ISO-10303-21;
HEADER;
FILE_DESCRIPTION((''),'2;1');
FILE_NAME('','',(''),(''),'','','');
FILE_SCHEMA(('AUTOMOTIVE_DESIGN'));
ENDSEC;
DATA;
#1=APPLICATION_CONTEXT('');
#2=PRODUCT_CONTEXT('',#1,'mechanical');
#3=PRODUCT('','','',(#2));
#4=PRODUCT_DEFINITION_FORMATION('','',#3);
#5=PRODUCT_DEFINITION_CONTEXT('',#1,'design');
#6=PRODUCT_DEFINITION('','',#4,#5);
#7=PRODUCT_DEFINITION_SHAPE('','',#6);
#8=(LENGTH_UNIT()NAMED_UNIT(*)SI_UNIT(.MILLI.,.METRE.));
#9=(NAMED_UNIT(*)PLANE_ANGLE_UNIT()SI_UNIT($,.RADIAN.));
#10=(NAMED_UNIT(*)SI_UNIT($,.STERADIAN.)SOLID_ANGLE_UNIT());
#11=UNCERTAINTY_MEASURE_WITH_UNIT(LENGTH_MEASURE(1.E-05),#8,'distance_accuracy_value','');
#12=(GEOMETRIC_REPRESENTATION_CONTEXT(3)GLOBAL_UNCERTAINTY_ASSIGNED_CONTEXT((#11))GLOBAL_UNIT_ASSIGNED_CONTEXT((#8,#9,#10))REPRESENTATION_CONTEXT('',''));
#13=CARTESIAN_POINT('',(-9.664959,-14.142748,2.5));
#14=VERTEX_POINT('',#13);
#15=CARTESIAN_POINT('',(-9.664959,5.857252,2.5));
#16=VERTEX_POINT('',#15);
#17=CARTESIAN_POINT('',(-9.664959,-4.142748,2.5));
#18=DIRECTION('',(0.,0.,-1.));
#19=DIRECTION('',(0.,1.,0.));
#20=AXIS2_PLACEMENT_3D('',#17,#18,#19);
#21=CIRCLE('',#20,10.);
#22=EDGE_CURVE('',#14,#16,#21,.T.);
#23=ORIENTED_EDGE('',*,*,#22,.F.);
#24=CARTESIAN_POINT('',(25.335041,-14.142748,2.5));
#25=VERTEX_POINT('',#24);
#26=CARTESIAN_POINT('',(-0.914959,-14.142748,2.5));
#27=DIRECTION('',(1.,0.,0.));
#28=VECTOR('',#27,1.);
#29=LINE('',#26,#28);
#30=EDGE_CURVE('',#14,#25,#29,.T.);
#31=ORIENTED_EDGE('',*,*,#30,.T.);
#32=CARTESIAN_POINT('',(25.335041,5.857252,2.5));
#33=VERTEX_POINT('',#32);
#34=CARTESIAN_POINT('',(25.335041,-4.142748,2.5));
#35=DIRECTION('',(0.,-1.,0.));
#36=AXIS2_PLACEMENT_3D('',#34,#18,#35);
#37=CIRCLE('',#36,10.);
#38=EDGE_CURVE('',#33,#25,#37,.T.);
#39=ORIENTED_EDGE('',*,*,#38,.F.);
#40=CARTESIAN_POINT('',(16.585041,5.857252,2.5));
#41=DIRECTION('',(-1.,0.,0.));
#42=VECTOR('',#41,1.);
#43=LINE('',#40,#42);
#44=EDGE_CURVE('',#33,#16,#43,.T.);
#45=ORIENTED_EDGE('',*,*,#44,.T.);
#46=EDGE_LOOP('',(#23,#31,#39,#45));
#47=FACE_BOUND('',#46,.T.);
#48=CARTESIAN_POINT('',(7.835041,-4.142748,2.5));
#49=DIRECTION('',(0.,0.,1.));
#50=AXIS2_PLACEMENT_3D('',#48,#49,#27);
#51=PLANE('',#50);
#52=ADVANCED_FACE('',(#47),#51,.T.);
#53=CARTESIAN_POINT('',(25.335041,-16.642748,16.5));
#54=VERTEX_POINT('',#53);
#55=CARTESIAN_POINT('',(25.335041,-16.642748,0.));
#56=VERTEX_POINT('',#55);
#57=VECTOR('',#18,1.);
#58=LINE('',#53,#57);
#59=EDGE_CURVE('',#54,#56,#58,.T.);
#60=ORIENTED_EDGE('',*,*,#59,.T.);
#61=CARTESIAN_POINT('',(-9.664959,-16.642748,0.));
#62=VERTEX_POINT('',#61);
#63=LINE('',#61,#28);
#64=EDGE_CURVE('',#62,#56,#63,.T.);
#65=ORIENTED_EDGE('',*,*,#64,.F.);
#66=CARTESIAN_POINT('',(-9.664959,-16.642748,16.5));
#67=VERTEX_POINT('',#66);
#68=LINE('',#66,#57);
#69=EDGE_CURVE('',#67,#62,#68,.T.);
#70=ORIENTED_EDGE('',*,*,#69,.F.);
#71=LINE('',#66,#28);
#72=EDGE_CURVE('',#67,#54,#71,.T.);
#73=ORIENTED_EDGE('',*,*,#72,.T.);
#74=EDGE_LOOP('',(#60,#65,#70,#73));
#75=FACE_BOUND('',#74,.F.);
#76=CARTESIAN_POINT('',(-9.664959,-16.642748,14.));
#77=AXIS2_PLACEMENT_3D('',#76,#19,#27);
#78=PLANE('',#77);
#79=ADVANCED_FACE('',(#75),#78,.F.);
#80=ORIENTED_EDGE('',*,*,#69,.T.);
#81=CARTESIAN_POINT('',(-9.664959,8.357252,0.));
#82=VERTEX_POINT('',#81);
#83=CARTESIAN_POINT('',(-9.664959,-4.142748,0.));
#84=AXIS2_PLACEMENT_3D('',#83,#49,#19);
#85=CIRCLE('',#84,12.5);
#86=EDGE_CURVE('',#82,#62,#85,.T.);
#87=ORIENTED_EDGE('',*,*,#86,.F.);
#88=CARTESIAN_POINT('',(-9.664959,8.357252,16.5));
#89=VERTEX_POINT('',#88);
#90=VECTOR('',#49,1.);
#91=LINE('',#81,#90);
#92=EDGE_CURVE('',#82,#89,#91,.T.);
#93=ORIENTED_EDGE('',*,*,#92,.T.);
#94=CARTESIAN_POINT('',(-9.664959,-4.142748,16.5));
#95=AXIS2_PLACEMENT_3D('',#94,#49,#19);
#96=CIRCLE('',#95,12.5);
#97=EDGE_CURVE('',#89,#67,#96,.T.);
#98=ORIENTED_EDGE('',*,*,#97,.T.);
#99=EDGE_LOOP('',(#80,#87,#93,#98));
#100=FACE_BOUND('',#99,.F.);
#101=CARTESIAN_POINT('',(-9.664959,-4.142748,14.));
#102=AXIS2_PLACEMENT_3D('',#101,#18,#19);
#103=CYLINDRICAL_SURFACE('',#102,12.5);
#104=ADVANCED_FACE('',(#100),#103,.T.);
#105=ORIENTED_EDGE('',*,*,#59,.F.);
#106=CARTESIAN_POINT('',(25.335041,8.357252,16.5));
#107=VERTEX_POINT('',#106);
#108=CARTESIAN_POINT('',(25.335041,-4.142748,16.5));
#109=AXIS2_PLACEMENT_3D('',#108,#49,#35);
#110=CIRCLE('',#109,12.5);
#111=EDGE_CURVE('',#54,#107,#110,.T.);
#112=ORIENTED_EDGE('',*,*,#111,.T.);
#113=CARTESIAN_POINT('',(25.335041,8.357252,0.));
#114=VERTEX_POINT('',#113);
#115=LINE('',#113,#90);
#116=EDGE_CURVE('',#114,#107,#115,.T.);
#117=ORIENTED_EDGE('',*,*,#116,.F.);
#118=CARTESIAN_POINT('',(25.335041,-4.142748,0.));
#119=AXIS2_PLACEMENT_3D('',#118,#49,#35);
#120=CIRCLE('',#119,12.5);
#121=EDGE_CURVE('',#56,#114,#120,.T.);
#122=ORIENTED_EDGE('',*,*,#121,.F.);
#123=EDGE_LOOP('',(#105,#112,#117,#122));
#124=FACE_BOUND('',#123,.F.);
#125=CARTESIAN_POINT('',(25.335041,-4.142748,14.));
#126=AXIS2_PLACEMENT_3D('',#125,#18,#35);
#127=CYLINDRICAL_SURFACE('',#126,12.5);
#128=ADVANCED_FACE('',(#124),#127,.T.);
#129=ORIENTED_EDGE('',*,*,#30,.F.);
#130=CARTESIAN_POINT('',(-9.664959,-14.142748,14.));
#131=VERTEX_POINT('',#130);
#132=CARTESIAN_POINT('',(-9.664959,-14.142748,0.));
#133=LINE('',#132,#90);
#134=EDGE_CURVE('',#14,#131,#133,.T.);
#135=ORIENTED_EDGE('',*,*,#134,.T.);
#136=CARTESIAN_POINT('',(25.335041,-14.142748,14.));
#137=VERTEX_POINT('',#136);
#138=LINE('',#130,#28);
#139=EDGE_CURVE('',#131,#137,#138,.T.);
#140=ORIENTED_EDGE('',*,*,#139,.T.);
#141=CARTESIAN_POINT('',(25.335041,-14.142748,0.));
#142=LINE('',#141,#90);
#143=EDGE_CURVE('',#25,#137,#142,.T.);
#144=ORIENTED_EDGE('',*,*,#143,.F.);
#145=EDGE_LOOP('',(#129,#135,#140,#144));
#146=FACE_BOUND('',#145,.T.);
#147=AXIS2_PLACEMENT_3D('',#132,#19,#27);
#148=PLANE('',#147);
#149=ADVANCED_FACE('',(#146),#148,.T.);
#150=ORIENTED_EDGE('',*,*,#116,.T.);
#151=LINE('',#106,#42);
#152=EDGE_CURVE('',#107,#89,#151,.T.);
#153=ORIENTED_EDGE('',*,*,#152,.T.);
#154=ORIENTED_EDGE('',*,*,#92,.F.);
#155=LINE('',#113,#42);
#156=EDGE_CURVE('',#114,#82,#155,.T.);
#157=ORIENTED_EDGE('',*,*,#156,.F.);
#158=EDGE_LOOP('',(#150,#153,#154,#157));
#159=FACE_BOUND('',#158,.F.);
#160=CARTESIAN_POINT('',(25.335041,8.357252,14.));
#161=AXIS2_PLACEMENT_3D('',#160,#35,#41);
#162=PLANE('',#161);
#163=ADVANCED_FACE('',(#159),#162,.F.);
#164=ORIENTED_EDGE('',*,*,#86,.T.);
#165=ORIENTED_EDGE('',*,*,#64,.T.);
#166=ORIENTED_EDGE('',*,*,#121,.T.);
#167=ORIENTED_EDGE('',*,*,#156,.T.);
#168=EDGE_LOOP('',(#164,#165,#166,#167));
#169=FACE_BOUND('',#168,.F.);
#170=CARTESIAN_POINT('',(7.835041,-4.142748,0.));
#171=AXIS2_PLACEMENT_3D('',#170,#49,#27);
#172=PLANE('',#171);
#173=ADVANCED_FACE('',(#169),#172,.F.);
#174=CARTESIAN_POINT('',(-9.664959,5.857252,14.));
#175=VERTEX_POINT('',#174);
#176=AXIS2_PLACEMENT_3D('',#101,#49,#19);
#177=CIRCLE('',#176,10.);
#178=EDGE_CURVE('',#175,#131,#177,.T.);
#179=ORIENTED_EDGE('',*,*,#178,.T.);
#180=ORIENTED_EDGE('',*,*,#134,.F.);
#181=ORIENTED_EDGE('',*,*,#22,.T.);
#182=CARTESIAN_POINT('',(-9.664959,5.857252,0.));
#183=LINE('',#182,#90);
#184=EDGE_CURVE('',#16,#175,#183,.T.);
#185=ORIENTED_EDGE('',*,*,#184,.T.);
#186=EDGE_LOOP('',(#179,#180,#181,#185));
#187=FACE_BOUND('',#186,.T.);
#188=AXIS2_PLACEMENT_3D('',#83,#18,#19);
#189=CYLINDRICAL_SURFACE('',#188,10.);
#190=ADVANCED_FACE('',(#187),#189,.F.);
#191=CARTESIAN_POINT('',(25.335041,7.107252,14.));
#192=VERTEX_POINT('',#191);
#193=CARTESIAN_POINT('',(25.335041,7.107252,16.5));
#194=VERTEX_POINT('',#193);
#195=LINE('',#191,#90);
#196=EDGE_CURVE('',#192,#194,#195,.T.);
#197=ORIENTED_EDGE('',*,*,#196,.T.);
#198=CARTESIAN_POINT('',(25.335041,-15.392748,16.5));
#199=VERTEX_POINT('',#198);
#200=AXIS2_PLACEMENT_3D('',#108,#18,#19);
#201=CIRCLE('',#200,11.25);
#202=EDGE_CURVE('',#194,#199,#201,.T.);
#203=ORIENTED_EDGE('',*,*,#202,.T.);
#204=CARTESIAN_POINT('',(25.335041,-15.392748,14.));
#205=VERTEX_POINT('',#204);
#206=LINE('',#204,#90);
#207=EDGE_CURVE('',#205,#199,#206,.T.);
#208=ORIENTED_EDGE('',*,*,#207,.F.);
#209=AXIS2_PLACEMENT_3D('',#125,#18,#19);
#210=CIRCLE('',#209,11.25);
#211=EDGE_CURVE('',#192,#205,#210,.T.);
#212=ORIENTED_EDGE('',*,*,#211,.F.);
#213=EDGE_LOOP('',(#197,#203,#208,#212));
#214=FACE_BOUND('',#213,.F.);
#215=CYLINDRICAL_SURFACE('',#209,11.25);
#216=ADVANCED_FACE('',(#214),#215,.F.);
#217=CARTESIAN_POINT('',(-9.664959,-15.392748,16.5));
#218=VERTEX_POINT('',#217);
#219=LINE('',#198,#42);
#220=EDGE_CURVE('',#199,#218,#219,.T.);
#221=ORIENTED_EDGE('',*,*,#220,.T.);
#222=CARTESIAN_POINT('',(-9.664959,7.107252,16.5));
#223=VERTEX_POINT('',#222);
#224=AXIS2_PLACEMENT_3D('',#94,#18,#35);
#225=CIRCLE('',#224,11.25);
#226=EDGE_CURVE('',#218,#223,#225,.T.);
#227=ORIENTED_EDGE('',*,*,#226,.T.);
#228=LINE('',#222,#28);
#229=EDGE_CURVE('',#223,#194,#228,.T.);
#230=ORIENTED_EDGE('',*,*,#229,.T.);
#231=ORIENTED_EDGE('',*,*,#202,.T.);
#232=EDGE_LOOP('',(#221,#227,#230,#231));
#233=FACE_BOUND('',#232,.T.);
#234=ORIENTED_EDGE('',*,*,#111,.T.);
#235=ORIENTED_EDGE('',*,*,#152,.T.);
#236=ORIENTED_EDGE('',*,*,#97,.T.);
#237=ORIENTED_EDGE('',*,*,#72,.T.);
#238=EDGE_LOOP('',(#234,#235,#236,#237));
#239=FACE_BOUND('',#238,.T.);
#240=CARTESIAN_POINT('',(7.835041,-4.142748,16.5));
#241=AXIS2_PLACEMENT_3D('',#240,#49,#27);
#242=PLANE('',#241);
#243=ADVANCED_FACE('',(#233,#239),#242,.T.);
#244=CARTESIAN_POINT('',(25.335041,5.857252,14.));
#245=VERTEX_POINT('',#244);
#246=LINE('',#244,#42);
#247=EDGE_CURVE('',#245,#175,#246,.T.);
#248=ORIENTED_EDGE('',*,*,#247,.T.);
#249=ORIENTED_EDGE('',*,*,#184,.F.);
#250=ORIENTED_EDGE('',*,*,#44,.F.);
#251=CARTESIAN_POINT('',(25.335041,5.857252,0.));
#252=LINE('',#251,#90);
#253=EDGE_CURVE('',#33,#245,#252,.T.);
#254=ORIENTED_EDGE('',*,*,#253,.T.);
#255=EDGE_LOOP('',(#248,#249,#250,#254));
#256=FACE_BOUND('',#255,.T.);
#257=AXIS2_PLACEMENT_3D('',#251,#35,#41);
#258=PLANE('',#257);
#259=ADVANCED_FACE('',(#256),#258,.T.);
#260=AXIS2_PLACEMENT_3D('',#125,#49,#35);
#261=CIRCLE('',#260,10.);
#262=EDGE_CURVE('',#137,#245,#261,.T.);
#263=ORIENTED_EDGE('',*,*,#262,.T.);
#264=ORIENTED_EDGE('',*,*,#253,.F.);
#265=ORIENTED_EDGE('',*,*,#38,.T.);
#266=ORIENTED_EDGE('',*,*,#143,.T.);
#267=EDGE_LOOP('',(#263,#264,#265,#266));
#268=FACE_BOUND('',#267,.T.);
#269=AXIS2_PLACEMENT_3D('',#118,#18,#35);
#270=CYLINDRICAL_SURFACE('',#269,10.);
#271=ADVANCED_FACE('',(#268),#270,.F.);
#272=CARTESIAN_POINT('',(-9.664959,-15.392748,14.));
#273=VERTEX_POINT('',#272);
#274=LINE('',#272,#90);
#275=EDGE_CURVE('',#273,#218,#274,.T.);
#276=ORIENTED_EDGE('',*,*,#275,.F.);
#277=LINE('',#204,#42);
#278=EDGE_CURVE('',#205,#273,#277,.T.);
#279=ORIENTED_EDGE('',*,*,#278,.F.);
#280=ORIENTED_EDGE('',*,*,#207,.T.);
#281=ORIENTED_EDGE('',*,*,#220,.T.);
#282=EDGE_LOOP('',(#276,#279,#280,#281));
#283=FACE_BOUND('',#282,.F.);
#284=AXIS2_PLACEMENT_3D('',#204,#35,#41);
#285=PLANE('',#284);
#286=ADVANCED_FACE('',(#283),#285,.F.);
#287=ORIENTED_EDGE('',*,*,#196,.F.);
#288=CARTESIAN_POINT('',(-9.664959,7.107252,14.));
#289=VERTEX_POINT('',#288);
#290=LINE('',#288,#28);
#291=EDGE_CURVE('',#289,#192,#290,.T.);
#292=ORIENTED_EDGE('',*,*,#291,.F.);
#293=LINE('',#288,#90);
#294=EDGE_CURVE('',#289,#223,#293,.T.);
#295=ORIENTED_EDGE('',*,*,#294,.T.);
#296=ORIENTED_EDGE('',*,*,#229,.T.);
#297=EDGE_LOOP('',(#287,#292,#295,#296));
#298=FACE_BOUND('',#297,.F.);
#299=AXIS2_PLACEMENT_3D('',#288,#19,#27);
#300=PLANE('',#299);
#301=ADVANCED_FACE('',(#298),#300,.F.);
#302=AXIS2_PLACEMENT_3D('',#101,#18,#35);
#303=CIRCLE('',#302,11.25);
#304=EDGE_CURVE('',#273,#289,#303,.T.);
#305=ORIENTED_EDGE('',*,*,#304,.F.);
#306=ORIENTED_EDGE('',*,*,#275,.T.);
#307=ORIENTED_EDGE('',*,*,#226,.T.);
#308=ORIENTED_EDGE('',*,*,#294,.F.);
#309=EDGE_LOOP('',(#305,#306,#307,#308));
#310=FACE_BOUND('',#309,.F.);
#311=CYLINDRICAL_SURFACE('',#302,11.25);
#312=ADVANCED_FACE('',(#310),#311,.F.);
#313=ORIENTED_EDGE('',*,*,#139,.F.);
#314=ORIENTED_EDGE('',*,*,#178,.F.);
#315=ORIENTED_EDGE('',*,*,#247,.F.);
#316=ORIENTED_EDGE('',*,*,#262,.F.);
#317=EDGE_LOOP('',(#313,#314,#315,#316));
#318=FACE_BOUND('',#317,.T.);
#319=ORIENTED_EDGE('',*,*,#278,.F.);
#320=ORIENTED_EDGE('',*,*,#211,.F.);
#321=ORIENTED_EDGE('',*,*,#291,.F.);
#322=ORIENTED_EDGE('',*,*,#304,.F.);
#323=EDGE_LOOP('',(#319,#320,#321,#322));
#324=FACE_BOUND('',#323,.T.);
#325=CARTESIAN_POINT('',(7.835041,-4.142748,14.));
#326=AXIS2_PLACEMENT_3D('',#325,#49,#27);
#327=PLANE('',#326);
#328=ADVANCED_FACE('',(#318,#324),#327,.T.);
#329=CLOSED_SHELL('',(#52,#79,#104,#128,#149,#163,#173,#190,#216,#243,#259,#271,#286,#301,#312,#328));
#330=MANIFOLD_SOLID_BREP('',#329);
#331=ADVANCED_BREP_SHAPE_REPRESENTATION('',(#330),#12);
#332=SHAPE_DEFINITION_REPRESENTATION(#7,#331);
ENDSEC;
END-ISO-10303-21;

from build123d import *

# Parameters (mm, degrees)
F1_DEPTH = 14
F2_T     = -2.5
F4_DEPTH = 2.5


with BuildPart() as f1:
    # F0 (on Top) → F1 (new body)
    with BuildSketch(Plane.XY):
        with BuildLine():
            ThreePointArc((-9.6649585424, 8.357251808), (-22.1649585424, -4.142748192), (-9.6649585424, -16.642748192))
            Line((-9.6649585424, -16.642748192), (25.3350414576, -16.642748192))
            ThreePointArc((25.3350414576, -16.642748192), (37.8350414576, -4.142748192), (25.3350414576, 8.357251808))
            Line((25.3350414576, 8.357251808), (-9.6649585424, 8.357251808))
        make_face()
    extrude(amount=F1_DEPTH)

    # F2
    f2_openings = [f1.faces().sort_by_distance(p)[0] for p in [
        (7.835041, -4.142748, 14),
    ]]
    offset(amount=F2_T, openings=f2_openings)

    # F3 (on face) → F4 (join)
    with BuildSketch(Plane.XY.offset(14)):
        with BuildLine():
            ThreePointArc((25.3350414576, -16.642748192), (37.8350414576, -4.142748192), (25.3350414576, 8.357251808))
            Line((25.3350414576, 8.357251808), (-9.6649585424, 8.357251808))
            ThreePointArc((-9.6649585424, 8.357251808), (-22.1649585424, -4.142748192), (-9.6649585424, -16.642748192))
            Line((-9.6649585424, -16.642748192), (25.3350414576, -16.642748192))
        make_face()
        with BuildLine():
            Line((-9.6649585424, 7.107251808), (25.3350414576, 7.107251808))
            ThreePointArc((25.3350414576, 7.107251808), (36.5850414576, -4.142748192), (25.3350414576, -15.392748192))
            Line((25.3350414576, -15.392748192), (-9.6649585424, -15.392748192))
            ThreePointArc((-9.6649585424, -15.392748192), (-20.9149585424, -4.142748192), (-9.6649585424, 7.107251808))
        make_face(mode=Mode.SUBTRACT)
    extrude(amount=F4_DEPTH)


solid = f1.part
